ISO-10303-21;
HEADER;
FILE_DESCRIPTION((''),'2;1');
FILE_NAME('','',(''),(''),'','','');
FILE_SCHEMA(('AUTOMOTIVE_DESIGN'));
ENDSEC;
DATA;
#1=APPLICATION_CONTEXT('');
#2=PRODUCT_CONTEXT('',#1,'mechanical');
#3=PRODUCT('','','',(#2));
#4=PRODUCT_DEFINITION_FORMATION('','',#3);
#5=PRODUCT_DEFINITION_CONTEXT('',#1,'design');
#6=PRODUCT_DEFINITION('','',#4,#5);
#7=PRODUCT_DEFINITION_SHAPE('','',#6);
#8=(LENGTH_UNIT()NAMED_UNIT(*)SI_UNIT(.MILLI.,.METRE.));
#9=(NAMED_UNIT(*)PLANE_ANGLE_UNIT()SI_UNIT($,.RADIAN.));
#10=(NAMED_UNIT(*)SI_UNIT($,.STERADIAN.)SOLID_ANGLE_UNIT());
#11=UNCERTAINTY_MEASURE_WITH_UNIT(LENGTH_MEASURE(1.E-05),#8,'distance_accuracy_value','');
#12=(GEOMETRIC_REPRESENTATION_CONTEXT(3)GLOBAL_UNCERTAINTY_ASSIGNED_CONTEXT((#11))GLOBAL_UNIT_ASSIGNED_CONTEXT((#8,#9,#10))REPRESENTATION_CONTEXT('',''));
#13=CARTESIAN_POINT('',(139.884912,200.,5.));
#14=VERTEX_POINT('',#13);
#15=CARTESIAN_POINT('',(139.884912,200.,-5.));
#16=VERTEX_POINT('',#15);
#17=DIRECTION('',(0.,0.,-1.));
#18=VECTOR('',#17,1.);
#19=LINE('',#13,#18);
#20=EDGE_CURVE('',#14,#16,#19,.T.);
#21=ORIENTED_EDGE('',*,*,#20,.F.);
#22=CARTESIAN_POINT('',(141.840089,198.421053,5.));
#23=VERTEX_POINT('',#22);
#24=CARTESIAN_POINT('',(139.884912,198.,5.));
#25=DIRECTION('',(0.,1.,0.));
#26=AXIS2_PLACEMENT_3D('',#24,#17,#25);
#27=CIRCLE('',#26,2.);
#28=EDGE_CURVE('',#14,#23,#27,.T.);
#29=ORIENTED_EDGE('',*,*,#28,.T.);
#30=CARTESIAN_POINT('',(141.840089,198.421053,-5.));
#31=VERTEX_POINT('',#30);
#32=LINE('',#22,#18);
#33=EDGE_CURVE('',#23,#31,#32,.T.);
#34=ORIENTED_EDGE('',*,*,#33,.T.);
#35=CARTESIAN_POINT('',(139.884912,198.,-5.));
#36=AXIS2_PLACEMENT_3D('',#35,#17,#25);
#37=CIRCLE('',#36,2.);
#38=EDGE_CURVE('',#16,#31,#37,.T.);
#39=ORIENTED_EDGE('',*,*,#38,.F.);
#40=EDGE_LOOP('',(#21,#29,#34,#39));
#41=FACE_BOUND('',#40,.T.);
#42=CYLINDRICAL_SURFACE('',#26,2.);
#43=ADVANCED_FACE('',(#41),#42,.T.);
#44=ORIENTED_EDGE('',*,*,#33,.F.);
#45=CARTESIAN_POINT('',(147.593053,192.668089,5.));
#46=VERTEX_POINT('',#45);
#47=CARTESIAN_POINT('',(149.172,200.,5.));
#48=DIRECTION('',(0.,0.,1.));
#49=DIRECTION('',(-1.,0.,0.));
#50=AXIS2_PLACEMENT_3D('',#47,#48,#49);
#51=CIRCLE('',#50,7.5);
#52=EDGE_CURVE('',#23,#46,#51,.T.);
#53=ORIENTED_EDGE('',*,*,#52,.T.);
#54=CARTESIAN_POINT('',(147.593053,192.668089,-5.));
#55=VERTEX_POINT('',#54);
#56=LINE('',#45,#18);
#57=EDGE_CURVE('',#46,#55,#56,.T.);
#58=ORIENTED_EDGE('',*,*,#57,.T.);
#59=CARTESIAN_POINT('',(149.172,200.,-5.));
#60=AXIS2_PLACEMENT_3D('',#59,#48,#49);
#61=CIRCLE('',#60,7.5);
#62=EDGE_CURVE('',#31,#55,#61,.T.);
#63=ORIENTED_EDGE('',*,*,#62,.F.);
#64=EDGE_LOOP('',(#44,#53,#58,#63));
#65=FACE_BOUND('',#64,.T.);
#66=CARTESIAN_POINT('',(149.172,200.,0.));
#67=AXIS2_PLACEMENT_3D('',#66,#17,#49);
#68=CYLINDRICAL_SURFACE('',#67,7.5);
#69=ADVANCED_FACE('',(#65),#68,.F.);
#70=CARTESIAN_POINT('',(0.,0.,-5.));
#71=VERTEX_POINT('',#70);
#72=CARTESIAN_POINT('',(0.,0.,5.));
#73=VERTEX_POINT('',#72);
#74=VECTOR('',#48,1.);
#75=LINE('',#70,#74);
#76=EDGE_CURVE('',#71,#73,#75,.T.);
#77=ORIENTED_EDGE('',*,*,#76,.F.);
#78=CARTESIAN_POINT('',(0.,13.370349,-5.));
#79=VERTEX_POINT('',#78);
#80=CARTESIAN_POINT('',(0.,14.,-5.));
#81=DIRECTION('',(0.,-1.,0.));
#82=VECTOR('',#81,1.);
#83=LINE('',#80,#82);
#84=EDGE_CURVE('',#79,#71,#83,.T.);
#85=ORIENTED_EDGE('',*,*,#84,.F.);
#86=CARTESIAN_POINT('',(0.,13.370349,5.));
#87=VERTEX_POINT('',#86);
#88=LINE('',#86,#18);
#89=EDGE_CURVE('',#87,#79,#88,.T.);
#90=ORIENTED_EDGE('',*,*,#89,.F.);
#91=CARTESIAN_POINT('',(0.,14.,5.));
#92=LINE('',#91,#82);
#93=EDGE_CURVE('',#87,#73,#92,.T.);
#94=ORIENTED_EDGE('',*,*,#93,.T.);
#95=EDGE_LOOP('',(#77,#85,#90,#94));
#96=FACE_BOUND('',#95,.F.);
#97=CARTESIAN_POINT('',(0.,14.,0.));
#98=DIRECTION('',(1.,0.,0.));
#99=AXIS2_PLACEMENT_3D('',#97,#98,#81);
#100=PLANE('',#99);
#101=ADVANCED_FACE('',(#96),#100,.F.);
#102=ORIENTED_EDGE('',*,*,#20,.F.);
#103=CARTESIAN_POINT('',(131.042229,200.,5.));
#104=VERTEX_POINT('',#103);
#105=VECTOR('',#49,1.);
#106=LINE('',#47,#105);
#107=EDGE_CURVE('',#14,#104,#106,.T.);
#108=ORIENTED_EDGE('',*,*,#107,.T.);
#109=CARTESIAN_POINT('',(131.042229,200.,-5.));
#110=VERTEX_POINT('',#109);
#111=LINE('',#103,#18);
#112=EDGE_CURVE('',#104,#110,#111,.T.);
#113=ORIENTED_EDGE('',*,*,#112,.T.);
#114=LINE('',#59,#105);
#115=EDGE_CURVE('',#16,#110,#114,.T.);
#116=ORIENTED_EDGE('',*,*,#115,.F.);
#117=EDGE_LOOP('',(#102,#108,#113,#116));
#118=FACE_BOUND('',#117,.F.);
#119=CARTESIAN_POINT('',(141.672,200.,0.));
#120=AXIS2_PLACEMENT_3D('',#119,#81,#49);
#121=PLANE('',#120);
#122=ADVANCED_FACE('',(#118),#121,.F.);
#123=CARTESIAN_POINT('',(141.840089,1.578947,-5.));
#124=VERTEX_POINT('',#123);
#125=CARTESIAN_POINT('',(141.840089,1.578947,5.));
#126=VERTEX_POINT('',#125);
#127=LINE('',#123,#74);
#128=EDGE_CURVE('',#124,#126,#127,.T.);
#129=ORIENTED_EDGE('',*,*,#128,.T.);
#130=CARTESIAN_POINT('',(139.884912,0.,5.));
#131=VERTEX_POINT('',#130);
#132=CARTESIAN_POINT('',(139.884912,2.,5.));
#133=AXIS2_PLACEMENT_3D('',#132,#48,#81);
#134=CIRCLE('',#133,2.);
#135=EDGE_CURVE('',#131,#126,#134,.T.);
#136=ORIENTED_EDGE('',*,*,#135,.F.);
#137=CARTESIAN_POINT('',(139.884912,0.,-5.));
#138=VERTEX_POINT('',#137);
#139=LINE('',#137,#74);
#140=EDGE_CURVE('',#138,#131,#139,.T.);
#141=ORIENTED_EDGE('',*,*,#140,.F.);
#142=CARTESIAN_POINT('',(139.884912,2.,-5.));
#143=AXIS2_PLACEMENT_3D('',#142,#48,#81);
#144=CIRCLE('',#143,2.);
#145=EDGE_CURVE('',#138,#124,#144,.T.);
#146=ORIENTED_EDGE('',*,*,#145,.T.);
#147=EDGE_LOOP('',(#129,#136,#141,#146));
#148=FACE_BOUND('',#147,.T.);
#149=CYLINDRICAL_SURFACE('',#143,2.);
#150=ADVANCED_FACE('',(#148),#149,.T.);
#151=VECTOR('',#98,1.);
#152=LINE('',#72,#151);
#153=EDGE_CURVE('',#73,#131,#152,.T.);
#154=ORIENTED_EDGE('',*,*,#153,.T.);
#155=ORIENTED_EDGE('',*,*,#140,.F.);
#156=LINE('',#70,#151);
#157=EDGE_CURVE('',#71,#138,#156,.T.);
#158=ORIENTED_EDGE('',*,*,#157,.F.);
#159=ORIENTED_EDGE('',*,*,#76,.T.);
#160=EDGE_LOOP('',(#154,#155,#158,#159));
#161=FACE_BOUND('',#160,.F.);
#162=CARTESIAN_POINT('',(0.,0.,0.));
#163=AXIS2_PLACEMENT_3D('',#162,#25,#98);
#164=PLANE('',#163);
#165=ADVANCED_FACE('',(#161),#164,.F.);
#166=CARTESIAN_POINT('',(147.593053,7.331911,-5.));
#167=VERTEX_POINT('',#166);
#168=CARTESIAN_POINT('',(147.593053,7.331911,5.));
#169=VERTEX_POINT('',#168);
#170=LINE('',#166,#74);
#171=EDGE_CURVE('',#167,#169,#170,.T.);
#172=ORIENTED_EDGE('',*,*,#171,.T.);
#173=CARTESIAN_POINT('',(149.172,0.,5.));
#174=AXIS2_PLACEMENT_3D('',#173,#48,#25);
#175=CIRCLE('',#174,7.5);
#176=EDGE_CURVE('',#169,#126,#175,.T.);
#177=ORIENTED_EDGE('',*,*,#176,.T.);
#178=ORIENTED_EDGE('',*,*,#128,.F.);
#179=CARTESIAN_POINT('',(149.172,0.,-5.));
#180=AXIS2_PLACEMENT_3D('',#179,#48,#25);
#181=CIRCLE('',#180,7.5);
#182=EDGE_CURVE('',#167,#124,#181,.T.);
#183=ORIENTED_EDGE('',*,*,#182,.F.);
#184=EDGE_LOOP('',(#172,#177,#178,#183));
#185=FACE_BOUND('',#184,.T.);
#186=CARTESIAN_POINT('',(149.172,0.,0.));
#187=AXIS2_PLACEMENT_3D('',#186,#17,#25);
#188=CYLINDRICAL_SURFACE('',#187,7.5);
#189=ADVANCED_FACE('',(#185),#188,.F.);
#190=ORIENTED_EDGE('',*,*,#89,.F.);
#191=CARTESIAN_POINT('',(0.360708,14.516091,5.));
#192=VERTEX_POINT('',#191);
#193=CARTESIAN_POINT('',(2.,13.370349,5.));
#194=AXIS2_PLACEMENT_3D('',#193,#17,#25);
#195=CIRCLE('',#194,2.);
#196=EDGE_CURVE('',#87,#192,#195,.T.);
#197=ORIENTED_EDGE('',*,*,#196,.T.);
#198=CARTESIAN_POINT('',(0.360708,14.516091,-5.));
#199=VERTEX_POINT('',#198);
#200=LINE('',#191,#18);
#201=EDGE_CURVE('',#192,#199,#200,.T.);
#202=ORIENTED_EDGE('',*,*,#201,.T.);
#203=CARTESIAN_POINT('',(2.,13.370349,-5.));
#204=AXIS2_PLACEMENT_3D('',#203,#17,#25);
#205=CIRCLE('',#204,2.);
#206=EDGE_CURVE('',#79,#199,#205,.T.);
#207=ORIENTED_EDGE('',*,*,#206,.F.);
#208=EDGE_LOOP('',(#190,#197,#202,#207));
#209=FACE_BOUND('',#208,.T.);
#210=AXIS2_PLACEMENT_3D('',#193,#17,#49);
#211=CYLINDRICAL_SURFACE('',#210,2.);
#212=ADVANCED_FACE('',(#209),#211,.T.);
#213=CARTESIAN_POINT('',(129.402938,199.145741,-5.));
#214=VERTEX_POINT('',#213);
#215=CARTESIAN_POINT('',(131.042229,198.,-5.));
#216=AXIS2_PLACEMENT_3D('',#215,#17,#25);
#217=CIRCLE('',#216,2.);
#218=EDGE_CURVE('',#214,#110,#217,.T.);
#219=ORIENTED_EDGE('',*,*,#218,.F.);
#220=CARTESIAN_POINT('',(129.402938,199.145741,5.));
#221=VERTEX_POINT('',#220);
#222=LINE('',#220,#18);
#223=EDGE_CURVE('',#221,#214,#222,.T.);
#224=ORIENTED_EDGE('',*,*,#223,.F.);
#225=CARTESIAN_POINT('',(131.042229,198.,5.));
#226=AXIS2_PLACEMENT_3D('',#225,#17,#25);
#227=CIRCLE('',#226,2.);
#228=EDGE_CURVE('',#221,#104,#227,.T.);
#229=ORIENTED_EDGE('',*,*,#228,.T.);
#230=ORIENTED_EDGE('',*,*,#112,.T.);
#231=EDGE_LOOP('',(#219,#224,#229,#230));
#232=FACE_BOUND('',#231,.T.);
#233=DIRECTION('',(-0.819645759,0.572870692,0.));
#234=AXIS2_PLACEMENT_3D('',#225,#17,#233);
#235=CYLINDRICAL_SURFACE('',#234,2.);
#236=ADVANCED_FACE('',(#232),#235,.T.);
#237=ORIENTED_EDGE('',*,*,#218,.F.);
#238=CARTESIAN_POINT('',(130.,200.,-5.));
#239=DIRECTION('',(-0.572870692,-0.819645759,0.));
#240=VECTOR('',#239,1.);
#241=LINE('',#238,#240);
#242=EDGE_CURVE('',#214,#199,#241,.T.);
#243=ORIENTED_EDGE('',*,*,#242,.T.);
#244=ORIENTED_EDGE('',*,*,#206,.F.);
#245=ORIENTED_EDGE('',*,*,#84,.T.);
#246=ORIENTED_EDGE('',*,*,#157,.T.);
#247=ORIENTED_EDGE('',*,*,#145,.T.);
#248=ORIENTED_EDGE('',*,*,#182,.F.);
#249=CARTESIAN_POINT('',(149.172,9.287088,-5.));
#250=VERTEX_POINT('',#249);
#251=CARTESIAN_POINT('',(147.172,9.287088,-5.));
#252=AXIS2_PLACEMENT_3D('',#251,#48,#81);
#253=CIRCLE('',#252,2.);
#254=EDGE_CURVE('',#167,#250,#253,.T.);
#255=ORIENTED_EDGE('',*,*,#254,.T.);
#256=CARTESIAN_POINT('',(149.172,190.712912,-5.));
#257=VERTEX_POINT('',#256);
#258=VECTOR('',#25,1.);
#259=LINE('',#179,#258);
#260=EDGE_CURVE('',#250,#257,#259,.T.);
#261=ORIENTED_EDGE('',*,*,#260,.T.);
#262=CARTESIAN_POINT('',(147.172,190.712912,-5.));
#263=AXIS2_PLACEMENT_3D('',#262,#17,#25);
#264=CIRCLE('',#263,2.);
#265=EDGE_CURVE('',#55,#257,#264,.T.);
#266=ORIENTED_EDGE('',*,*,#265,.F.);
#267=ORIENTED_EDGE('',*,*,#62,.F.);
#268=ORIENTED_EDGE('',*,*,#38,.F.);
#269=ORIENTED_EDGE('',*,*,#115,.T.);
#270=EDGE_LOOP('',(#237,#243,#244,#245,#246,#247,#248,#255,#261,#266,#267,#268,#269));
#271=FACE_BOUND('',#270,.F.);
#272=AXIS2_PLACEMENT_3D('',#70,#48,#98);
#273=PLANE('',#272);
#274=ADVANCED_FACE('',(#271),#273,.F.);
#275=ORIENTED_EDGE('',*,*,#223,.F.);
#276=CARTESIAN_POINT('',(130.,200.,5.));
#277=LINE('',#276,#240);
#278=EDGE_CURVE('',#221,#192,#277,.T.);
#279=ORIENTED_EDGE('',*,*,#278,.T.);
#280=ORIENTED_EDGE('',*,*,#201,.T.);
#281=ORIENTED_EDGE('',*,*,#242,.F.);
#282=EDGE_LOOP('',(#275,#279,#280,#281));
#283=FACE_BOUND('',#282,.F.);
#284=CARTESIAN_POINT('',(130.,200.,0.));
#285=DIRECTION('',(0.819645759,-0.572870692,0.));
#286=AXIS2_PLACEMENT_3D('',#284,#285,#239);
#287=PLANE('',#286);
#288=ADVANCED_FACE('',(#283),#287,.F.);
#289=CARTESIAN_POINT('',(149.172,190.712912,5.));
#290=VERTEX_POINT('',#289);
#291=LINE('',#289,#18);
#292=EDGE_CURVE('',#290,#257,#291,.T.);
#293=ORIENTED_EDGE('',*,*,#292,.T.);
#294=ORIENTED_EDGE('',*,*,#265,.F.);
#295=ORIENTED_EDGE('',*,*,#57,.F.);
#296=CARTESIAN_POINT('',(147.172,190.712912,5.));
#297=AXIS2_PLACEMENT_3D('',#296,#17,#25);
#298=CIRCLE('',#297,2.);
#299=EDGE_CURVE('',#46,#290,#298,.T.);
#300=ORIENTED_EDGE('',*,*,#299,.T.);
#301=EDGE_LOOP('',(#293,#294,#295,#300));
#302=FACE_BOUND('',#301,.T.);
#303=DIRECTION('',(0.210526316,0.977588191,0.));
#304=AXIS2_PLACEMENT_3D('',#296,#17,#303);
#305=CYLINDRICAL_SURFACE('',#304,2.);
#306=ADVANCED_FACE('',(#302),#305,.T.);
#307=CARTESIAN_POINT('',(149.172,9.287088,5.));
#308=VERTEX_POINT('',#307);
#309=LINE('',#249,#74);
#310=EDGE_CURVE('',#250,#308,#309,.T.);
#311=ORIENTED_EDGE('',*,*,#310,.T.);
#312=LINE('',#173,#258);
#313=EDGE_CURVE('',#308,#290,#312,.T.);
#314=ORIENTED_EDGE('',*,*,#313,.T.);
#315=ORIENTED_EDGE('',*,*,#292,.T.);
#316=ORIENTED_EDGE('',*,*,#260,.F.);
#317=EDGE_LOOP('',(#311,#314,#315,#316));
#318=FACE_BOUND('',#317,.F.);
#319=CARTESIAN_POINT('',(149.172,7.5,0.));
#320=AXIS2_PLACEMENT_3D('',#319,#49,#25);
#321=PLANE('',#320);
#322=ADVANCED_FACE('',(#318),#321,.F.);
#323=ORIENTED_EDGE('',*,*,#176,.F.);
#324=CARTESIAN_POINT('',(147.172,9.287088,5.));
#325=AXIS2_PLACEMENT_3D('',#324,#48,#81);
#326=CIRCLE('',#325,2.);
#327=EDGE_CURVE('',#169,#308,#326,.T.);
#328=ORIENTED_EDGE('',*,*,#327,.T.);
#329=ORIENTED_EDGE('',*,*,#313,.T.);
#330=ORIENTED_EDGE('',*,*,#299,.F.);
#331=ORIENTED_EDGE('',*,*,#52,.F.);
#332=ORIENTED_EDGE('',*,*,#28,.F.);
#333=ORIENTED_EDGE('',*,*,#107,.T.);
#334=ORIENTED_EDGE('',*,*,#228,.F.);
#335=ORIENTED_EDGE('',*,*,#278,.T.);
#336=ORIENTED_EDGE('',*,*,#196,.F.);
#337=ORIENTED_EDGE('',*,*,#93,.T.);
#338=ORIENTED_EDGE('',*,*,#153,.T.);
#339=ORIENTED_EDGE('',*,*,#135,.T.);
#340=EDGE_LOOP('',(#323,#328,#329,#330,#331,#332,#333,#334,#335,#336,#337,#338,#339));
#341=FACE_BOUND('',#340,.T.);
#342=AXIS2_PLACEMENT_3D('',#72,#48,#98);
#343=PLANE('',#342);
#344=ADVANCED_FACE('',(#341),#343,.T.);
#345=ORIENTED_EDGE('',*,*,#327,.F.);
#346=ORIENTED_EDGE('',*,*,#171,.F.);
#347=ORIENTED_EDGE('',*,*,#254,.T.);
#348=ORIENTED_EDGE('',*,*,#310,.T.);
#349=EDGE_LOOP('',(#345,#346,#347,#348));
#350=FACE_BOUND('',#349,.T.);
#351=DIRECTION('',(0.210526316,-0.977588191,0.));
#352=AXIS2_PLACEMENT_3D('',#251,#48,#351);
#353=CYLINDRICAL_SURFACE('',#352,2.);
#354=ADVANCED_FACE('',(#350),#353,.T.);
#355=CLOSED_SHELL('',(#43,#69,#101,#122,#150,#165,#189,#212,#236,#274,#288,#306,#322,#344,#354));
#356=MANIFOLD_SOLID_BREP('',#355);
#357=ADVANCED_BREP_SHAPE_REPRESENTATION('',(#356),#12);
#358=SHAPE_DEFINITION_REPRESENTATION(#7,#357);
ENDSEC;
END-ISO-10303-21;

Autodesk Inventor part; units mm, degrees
ref_plane "YZ Plane" through (0, 0, 0) normal (1, 0, 0) x (0, 1, 0)
ref_plane "XZ Plane" through (0, 0, 0) normal (0, 1, 0) x (-1, 0, 0)
ref_plane "XY Plane" through (0, 0, 0) normal (0, 0, 1) x (1, 0, 0)
sketch "Boceto1" plane through (0, 0, 0) normal (0, 0, 1) x (1, 0, 0)
  line L0 (0, 0) -> (149.172, 0)
  line L1 (149.172, 0) -> (149.172, 200)
  line L2 (0, 14) -> (0, 0)
  line L3 (149.172, 200) -> (130, 200)
  line L4 (130, 200) -> (0, 14)
  arc A0 (149.172, 7.5) -> (141.672, 0) centre (149.172, 0) ccw
  arc A1 (141.672, 200) -> (149.172, 192.5) centre (149.172, 200) ccw
  line L5 (0, 0) -> (141.672, 0) construction
  line L6 (-4.7533, 0) -> (0, 0) construction
  dimension "d1" = 149.172
  dimension "d2" = 200
  dimension "d3" = 7.5
  dimension "d4" = 7.5
  dimension "d13" = 14
  dimension "d14" = 130
extrude "Extrusión1" add sketch "Boceto1" along normal mid plane 10 contours L2 L4 L3 A1 L1 A0 L0
fillet "Empalme1" radius 2 6 edges at (149.172, 7.5, 0) (141.672, 0, 0) (149.172, 192.5, 0) (141.672, 200, 0) (130, 200, 0) (0, 14, 0)
properties part number "Costilla (rib)"
